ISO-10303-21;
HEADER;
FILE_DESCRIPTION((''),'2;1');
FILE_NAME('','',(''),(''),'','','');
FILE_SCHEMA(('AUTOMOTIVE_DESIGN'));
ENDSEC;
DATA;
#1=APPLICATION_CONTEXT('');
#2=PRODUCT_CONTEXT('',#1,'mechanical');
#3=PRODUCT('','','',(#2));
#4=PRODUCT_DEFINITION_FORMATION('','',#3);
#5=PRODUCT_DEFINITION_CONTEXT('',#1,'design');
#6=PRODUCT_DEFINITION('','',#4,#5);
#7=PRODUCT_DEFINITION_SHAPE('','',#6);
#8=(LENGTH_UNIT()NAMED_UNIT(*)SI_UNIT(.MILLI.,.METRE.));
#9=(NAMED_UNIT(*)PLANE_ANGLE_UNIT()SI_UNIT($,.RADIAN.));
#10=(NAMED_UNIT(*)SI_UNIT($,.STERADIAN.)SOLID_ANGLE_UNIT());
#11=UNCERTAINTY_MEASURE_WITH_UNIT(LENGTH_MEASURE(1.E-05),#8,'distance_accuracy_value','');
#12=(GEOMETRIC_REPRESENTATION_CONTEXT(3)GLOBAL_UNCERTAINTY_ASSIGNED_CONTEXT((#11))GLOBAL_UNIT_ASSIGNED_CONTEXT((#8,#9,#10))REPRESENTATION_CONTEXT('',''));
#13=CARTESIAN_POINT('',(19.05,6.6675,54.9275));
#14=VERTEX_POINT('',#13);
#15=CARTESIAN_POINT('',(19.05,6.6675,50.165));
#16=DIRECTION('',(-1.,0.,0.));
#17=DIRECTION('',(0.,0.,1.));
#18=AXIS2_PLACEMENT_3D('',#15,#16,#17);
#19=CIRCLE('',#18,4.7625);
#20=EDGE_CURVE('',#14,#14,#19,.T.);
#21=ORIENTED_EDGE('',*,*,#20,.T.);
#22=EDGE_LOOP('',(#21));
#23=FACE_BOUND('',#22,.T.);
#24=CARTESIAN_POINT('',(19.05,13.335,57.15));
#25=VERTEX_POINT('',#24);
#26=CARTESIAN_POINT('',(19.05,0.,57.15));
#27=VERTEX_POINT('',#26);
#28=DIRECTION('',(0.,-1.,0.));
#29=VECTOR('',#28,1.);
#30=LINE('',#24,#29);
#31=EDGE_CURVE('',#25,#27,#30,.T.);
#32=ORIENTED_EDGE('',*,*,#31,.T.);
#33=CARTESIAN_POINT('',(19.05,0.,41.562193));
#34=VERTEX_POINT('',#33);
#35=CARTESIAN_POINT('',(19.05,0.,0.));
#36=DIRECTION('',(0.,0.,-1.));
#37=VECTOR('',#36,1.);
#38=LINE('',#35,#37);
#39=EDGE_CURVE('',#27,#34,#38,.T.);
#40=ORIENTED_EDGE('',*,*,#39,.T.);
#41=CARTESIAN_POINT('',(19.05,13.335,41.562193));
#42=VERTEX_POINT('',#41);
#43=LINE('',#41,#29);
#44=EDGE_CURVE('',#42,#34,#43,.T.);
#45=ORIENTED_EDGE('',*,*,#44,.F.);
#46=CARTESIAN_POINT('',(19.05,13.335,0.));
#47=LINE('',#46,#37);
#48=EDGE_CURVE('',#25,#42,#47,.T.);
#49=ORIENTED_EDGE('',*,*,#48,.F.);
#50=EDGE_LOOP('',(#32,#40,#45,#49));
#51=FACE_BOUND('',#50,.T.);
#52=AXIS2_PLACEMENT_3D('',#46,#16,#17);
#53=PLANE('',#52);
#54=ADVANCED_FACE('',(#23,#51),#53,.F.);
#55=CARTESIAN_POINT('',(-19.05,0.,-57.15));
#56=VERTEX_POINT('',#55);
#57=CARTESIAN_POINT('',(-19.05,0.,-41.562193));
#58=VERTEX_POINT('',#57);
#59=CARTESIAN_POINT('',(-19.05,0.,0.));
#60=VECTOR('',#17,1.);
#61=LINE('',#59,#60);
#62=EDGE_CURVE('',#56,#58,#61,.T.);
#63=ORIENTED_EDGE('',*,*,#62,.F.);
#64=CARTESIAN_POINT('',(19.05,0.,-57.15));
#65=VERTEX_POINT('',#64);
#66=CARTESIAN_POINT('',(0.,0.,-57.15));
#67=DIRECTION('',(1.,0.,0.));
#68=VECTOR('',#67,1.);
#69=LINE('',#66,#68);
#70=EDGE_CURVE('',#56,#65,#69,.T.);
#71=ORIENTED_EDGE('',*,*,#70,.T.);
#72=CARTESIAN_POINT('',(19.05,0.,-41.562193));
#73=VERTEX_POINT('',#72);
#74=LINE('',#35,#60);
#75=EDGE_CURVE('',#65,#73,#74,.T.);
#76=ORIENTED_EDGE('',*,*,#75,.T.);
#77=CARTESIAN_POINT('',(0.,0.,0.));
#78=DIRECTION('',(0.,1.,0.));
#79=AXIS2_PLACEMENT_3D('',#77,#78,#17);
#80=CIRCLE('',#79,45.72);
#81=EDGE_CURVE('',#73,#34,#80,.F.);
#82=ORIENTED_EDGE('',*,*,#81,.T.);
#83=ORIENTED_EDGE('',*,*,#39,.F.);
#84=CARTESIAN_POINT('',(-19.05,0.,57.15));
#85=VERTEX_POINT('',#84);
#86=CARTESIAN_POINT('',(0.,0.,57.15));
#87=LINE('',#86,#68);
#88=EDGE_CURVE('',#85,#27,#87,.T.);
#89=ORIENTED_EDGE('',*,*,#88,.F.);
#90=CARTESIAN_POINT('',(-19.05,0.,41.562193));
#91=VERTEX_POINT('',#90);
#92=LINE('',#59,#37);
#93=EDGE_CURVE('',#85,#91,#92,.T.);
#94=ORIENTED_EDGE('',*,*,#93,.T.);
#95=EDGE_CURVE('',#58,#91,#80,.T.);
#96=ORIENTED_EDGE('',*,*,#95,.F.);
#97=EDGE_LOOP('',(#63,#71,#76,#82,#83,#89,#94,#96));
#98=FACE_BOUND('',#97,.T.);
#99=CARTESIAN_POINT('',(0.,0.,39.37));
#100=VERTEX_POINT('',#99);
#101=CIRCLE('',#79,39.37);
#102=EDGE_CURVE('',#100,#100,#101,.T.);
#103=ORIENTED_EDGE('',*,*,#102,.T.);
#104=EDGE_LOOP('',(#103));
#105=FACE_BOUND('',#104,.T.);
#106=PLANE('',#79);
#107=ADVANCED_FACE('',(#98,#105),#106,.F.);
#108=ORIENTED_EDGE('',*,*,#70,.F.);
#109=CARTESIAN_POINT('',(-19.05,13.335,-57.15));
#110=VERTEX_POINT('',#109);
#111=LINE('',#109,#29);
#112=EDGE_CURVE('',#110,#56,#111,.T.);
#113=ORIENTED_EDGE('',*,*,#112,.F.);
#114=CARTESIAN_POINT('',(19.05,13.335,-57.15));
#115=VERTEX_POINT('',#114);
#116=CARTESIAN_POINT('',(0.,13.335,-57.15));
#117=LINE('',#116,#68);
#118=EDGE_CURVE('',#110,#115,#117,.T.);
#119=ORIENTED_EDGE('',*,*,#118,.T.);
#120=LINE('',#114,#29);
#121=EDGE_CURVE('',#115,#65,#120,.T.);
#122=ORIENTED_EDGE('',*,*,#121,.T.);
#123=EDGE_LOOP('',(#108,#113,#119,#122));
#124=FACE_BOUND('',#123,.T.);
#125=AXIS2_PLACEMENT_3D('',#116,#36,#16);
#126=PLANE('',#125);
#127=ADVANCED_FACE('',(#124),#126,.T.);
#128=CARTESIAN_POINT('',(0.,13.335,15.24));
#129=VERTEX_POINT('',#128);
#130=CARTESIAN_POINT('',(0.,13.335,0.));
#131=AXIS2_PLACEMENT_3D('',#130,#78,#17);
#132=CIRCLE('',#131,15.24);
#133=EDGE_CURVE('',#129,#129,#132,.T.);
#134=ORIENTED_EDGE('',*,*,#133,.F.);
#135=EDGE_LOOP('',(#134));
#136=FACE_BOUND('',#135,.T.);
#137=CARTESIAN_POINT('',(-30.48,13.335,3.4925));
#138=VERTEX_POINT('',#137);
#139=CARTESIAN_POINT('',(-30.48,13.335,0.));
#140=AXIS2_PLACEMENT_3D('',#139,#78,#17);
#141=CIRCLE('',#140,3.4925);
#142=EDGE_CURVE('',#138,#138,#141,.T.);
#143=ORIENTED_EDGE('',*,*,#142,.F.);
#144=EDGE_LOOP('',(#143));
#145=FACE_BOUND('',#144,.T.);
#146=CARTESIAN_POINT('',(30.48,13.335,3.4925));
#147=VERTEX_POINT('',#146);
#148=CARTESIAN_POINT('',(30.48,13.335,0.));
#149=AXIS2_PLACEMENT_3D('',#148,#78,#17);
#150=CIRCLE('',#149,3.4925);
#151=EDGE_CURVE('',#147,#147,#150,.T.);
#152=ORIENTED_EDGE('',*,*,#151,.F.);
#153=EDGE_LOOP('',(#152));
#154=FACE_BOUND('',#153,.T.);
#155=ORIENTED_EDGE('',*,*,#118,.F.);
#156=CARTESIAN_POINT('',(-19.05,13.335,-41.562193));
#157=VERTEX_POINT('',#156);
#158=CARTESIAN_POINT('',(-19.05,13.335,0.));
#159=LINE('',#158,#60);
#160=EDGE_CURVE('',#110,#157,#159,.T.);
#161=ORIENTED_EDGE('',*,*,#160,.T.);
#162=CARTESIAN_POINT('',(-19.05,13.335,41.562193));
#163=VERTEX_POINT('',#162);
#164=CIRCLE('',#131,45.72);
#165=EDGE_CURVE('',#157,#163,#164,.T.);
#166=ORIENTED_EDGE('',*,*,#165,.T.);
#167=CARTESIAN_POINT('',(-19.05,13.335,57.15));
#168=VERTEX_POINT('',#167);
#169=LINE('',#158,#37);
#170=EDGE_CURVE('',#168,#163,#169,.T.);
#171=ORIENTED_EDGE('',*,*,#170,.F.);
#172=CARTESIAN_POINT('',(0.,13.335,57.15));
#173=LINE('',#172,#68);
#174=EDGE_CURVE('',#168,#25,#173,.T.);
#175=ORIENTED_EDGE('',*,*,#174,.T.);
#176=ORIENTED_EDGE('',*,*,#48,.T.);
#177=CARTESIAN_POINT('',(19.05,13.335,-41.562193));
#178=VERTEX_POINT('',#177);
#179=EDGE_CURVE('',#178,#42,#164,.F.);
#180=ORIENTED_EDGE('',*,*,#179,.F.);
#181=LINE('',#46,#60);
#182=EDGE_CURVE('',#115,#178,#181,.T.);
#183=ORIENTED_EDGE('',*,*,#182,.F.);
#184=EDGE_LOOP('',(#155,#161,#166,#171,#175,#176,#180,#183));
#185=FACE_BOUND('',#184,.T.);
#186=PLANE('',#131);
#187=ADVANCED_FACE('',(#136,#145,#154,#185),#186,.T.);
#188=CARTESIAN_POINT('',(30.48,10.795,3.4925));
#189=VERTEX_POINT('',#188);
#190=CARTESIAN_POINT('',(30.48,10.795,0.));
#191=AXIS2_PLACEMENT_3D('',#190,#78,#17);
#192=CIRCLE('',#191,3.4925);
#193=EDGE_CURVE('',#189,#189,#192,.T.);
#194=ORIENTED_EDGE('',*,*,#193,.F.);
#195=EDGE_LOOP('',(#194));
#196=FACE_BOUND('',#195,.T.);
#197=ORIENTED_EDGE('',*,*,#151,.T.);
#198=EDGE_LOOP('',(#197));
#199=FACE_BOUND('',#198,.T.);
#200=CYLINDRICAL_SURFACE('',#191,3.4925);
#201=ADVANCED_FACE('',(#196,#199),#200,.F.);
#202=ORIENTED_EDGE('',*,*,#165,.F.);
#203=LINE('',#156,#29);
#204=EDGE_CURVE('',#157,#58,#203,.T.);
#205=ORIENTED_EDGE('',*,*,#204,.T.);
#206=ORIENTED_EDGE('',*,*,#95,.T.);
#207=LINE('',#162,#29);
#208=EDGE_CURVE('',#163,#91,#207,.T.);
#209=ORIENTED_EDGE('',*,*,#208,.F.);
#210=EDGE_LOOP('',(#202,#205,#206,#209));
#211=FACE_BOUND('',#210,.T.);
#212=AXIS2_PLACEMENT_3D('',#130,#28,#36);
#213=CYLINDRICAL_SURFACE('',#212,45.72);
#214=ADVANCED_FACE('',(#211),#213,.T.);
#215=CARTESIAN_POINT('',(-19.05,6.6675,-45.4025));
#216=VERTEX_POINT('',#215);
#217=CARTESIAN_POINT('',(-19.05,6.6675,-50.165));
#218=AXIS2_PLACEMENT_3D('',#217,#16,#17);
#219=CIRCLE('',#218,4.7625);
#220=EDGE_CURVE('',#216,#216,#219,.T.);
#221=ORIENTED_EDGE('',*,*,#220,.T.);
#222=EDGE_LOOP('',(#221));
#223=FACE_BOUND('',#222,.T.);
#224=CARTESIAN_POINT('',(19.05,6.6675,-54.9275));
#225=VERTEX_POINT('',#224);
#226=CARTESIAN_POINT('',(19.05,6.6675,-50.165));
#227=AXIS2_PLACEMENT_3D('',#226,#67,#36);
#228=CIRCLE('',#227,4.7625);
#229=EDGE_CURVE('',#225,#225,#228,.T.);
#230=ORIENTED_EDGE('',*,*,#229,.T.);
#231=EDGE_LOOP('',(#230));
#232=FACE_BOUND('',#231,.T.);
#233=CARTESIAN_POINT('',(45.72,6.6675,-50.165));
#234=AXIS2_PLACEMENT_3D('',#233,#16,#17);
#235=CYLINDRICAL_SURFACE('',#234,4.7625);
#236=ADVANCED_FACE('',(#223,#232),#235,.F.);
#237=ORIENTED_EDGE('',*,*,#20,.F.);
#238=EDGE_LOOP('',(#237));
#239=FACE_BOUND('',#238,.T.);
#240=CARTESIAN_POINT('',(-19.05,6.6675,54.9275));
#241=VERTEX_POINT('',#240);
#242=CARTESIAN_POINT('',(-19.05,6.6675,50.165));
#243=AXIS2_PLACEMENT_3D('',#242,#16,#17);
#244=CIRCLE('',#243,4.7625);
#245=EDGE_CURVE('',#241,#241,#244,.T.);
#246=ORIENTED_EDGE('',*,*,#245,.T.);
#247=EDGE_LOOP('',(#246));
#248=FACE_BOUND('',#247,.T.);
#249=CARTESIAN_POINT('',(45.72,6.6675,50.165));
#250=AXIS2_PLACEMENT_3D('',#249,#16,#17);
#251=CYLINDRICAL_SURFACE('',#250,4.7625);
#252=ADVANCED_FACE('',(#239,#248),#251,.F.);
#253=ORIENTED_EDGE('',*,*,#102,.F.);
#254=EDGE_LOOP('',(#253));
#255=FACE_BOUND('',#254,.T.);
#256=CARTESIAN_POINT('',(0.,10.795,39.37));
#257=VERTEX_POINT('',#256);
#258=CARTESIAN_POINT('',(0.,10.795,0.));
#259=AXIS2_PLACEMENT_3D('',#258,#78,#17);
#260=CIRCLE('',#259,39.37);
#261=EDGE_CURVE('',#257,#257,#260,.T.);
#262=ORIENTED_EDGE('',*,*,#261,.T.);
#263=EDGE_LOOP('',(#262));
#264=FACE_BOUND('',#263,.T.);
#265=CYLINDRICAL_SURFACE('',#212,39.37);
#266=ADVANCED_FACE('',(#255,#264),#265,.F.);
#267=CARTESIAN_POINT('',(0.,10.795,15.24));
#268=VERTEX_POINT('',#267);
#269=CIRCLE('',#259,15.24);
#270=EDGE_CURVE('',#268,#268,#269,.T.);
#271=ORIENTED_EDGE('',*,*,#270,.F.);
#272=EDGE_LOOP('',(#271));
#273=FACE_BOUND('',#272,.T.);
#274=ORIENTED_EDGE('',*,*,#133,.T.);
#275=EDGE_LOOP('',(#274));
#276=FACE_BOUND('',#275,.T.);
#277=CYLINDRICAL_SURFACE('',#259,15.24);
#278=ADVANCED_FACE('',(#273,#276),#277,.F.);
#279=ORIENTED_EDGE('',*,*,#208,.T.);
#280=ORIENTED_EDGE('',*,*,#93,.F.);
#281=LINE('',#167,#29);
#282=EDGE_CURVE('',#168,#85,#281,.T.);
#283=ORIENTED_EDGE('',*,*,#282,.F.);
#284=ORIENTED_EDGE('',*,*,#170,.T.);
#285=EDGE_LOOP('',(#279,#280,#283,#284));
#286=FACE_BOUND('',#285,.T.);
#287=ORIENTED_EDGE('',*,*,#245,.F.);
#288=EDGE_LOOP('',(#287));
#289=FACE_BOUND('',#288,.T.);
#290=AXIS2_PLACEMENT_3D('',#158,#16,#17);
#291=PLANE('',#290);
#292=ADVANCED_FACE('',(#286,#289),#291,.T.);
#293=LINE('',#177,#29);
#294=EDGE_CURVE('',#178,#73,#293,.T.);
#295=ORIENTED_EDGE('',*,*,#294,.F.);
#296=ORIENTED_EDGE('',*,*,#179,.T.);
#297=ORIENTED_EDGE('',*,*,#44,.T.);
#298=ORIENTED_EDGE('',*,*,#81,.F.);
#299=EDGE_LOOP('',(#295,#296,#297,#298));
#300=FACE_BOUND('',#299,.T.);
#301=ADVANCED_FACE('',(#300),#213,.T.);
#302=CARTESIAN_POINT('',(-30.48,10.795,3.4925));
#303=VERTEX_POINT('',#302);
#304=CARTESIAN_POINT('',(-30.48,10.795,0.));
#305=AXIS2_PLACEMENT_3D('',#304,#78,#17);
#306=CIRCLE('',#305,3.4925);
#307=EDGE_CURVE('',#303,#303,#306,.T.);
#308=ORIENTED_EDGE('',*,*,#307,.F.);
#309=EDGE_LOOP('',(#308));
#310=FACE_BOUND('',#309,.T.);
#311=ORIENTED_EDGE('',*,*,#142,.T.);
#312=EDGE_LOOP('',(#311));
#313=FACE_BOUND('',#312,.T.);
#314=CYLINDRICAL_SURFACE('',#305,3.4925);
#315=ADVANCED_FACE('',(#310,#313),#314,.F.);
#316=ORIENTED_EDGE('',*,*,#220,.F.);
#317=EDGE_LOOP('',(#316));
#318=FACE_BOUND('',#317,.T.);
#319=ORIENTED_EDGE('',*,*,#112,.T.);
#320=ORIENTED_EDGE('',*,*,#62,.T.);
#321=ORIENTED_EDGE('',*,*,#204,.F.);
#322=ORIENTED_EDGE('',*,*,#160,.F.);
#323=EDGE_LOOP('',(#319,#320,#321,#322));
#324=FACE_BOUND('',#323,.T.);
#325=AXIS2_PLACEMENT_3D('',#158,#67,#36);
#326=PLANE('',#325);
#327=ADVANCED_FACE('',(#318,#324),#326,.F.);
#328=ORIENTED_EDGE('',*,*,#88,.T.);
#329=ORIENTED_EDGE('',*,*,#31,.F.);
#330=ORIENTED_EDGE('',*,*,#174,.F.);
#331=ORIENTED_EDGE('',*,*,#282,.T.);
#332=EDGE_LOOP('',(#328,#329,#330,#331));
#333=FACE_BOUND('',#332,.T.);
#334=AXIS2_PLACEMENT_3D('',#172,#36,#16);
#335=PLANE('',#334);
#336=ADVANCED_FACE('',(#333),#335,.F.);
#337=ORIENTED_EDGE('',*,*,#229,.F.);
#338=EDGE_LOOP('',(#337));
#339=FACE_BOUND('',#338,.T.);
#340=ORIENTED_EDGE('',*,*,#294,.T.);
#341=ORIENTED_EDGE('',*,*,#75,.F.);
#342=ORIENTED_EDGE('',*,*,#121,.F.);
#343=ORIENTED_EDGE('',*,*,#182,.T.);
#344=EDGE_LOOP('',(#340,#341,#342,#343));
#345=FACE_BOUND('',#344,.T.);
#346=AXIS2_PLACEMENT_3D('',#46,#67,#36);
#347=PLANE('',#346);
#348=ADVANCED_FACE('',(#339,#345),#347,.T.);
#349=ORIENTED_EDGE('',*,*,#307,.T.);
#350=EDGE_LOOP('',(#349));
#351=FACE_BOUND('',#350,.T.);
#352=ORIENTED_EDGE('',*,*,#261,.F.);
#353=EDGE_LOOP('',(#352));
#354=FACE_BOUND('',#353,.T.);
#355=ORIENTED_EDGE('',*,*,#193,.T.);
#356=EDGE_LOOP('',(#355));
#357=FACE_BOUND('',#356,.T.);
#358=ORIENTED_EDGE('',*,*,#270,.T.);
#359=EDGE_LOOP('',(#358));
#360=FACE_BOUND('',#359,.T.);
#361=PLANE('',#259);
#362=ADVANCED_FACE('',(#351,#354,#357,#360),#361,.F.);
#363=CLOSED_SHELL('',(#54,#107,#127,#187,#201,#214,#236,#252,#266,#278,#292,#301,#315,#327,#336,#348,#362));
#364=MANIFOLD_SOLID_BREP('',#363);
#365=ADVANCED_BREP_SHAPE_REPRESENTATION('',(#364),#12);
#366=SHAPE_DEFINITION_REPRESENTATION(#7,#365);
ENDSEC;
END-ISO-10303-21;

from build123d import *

# Parameters (mm, degrees)
SKETCH1_R           = 39.37
BOSS_EXTRUDE1_DEPTH = 13.335
SKETCH2_R           = 4.7625
CUT_EXTRUDE1_DEPTH  = 88.401931472
BOSS_EXTRUDE2_START = -2.54
SKETCH4_R           = 39.37
BOSS_EXTRUDE2_DEPTH = 2.54
SKETCH5_R           = 3.4925
CUT_EXTRUDE2_DEPTH  = 2.54
SKETCH6_R           = 15.24
CUT_EXTRUDE3_DEPTH  = 2.54


with BuildPart() as part:
    # Sketch1 → Boss-Extrude1 (new body)
    with BuildSketch(Plane(origin=(0, 0, 0), x_dir=(1, 0, 0), z_dir=(0, 1, 0))):
        with BuildLine():
            Line((-19.05, 57.15), (19.05, 57.15))
            Line((19.05, 57.15), (19.05, 41.562193157))
            ThreePointArc((19.05, 41.562193157), (45.72, 0), (19.05, -41.562193157))
            Line((19.05, -41.562193157), (19.05, -57.15))
            Line((19.05, -57.15), (-19.05, -57.15))
            Line((-19.05, -57.15), (-19.05, -41.562193157))
            ThreePointArc((-19.05, -41.562193157), (-45.72, 0), (-19.05, 41.562193157))
            Line((-19.05, 41.562193157), (-19.05, 57.15))
        make_face()
        with Locations(Location((0, 0, 0), (0, 0, 270))):
            Circle(SKETCH1_R, mode=Mode.SUBTRACT)
    extrude(amount=BOSS_EXTRUDE1_DEPTH)

    # Sketch2 → Cut-Extrude1 (cut, through all)
    with BuildSketch(Plane.ZY.offset(19.05)):
        with BuildLine():
            ThreePointArc((45.4025, 6.6675), (50.165, 1.905), (54.9275, 6.6675))
            Line((54.9275, 6.6675), (45.4025, 6.6675))
        make_face()
        with BuildLine():
            Line((45.4025, 6.6675), (54.9275, 6.6675))
            ThreePointArc((54.9275, 6.6675), (50.165, 11.43), (45.4025, 6.6675))
        make_face()
        with Locations((-50.165, 6.6675)):
            Circle(SKETCH2_R)
    extrude(amount=-CUT_EXTRUDE1_DEPTH, mode=Mode.SUBTRACT)

    # Sketch4 → Boss-Extrude2 (add)
    with BuildSketch(Plane(origin=(0, 13.335, 0), x_dir=(1, 0, 0), z_dir=(0, 1, 0)).offset(BOSS_EXTRUDE2_START)):
        with Locations(Location((0, 0, 0), (0, 0, 270))):
            Circle(SKETCH4_R)
    extrude(amount=BOSS_EXTRUDE2_DEPTH)

    # Sketch5 → Cut-Extrude2 (cut)
    with BuildSketch(Plane(origin=(0, 13.335, 0), x_dir=(1, 0, 0), z_dir=(0, 1, 0))):
        with Locations(Location((30.48, 0, 0), (0, 0, 270))):
            Circle(SKETCH5_R)
        with Locations(Location((-30.48, 0, 0), (0, 0, 270))):
            Circle(SKETCH5_R)
    extrude(amount=-CUT_EXTRUDE2_DEPTH, mode=Mode.SUBTRACT)

    # Sketch6 → Cut-Extrude3 (cut)
    with BuildSketch(Plane(origin=(0, 13.335, 0), x_dir=(1, 0, 0), z_dir=(0, 1, 0))):
        with Locations(Location((0, 0, 0), (0, 0, 270))):
            Circle(SKETCH6_R)
    extrude(amount=-CUT_EXTRUDE3_DEPTH, mode=Mode.SUBTRACT)


solid = part.part
